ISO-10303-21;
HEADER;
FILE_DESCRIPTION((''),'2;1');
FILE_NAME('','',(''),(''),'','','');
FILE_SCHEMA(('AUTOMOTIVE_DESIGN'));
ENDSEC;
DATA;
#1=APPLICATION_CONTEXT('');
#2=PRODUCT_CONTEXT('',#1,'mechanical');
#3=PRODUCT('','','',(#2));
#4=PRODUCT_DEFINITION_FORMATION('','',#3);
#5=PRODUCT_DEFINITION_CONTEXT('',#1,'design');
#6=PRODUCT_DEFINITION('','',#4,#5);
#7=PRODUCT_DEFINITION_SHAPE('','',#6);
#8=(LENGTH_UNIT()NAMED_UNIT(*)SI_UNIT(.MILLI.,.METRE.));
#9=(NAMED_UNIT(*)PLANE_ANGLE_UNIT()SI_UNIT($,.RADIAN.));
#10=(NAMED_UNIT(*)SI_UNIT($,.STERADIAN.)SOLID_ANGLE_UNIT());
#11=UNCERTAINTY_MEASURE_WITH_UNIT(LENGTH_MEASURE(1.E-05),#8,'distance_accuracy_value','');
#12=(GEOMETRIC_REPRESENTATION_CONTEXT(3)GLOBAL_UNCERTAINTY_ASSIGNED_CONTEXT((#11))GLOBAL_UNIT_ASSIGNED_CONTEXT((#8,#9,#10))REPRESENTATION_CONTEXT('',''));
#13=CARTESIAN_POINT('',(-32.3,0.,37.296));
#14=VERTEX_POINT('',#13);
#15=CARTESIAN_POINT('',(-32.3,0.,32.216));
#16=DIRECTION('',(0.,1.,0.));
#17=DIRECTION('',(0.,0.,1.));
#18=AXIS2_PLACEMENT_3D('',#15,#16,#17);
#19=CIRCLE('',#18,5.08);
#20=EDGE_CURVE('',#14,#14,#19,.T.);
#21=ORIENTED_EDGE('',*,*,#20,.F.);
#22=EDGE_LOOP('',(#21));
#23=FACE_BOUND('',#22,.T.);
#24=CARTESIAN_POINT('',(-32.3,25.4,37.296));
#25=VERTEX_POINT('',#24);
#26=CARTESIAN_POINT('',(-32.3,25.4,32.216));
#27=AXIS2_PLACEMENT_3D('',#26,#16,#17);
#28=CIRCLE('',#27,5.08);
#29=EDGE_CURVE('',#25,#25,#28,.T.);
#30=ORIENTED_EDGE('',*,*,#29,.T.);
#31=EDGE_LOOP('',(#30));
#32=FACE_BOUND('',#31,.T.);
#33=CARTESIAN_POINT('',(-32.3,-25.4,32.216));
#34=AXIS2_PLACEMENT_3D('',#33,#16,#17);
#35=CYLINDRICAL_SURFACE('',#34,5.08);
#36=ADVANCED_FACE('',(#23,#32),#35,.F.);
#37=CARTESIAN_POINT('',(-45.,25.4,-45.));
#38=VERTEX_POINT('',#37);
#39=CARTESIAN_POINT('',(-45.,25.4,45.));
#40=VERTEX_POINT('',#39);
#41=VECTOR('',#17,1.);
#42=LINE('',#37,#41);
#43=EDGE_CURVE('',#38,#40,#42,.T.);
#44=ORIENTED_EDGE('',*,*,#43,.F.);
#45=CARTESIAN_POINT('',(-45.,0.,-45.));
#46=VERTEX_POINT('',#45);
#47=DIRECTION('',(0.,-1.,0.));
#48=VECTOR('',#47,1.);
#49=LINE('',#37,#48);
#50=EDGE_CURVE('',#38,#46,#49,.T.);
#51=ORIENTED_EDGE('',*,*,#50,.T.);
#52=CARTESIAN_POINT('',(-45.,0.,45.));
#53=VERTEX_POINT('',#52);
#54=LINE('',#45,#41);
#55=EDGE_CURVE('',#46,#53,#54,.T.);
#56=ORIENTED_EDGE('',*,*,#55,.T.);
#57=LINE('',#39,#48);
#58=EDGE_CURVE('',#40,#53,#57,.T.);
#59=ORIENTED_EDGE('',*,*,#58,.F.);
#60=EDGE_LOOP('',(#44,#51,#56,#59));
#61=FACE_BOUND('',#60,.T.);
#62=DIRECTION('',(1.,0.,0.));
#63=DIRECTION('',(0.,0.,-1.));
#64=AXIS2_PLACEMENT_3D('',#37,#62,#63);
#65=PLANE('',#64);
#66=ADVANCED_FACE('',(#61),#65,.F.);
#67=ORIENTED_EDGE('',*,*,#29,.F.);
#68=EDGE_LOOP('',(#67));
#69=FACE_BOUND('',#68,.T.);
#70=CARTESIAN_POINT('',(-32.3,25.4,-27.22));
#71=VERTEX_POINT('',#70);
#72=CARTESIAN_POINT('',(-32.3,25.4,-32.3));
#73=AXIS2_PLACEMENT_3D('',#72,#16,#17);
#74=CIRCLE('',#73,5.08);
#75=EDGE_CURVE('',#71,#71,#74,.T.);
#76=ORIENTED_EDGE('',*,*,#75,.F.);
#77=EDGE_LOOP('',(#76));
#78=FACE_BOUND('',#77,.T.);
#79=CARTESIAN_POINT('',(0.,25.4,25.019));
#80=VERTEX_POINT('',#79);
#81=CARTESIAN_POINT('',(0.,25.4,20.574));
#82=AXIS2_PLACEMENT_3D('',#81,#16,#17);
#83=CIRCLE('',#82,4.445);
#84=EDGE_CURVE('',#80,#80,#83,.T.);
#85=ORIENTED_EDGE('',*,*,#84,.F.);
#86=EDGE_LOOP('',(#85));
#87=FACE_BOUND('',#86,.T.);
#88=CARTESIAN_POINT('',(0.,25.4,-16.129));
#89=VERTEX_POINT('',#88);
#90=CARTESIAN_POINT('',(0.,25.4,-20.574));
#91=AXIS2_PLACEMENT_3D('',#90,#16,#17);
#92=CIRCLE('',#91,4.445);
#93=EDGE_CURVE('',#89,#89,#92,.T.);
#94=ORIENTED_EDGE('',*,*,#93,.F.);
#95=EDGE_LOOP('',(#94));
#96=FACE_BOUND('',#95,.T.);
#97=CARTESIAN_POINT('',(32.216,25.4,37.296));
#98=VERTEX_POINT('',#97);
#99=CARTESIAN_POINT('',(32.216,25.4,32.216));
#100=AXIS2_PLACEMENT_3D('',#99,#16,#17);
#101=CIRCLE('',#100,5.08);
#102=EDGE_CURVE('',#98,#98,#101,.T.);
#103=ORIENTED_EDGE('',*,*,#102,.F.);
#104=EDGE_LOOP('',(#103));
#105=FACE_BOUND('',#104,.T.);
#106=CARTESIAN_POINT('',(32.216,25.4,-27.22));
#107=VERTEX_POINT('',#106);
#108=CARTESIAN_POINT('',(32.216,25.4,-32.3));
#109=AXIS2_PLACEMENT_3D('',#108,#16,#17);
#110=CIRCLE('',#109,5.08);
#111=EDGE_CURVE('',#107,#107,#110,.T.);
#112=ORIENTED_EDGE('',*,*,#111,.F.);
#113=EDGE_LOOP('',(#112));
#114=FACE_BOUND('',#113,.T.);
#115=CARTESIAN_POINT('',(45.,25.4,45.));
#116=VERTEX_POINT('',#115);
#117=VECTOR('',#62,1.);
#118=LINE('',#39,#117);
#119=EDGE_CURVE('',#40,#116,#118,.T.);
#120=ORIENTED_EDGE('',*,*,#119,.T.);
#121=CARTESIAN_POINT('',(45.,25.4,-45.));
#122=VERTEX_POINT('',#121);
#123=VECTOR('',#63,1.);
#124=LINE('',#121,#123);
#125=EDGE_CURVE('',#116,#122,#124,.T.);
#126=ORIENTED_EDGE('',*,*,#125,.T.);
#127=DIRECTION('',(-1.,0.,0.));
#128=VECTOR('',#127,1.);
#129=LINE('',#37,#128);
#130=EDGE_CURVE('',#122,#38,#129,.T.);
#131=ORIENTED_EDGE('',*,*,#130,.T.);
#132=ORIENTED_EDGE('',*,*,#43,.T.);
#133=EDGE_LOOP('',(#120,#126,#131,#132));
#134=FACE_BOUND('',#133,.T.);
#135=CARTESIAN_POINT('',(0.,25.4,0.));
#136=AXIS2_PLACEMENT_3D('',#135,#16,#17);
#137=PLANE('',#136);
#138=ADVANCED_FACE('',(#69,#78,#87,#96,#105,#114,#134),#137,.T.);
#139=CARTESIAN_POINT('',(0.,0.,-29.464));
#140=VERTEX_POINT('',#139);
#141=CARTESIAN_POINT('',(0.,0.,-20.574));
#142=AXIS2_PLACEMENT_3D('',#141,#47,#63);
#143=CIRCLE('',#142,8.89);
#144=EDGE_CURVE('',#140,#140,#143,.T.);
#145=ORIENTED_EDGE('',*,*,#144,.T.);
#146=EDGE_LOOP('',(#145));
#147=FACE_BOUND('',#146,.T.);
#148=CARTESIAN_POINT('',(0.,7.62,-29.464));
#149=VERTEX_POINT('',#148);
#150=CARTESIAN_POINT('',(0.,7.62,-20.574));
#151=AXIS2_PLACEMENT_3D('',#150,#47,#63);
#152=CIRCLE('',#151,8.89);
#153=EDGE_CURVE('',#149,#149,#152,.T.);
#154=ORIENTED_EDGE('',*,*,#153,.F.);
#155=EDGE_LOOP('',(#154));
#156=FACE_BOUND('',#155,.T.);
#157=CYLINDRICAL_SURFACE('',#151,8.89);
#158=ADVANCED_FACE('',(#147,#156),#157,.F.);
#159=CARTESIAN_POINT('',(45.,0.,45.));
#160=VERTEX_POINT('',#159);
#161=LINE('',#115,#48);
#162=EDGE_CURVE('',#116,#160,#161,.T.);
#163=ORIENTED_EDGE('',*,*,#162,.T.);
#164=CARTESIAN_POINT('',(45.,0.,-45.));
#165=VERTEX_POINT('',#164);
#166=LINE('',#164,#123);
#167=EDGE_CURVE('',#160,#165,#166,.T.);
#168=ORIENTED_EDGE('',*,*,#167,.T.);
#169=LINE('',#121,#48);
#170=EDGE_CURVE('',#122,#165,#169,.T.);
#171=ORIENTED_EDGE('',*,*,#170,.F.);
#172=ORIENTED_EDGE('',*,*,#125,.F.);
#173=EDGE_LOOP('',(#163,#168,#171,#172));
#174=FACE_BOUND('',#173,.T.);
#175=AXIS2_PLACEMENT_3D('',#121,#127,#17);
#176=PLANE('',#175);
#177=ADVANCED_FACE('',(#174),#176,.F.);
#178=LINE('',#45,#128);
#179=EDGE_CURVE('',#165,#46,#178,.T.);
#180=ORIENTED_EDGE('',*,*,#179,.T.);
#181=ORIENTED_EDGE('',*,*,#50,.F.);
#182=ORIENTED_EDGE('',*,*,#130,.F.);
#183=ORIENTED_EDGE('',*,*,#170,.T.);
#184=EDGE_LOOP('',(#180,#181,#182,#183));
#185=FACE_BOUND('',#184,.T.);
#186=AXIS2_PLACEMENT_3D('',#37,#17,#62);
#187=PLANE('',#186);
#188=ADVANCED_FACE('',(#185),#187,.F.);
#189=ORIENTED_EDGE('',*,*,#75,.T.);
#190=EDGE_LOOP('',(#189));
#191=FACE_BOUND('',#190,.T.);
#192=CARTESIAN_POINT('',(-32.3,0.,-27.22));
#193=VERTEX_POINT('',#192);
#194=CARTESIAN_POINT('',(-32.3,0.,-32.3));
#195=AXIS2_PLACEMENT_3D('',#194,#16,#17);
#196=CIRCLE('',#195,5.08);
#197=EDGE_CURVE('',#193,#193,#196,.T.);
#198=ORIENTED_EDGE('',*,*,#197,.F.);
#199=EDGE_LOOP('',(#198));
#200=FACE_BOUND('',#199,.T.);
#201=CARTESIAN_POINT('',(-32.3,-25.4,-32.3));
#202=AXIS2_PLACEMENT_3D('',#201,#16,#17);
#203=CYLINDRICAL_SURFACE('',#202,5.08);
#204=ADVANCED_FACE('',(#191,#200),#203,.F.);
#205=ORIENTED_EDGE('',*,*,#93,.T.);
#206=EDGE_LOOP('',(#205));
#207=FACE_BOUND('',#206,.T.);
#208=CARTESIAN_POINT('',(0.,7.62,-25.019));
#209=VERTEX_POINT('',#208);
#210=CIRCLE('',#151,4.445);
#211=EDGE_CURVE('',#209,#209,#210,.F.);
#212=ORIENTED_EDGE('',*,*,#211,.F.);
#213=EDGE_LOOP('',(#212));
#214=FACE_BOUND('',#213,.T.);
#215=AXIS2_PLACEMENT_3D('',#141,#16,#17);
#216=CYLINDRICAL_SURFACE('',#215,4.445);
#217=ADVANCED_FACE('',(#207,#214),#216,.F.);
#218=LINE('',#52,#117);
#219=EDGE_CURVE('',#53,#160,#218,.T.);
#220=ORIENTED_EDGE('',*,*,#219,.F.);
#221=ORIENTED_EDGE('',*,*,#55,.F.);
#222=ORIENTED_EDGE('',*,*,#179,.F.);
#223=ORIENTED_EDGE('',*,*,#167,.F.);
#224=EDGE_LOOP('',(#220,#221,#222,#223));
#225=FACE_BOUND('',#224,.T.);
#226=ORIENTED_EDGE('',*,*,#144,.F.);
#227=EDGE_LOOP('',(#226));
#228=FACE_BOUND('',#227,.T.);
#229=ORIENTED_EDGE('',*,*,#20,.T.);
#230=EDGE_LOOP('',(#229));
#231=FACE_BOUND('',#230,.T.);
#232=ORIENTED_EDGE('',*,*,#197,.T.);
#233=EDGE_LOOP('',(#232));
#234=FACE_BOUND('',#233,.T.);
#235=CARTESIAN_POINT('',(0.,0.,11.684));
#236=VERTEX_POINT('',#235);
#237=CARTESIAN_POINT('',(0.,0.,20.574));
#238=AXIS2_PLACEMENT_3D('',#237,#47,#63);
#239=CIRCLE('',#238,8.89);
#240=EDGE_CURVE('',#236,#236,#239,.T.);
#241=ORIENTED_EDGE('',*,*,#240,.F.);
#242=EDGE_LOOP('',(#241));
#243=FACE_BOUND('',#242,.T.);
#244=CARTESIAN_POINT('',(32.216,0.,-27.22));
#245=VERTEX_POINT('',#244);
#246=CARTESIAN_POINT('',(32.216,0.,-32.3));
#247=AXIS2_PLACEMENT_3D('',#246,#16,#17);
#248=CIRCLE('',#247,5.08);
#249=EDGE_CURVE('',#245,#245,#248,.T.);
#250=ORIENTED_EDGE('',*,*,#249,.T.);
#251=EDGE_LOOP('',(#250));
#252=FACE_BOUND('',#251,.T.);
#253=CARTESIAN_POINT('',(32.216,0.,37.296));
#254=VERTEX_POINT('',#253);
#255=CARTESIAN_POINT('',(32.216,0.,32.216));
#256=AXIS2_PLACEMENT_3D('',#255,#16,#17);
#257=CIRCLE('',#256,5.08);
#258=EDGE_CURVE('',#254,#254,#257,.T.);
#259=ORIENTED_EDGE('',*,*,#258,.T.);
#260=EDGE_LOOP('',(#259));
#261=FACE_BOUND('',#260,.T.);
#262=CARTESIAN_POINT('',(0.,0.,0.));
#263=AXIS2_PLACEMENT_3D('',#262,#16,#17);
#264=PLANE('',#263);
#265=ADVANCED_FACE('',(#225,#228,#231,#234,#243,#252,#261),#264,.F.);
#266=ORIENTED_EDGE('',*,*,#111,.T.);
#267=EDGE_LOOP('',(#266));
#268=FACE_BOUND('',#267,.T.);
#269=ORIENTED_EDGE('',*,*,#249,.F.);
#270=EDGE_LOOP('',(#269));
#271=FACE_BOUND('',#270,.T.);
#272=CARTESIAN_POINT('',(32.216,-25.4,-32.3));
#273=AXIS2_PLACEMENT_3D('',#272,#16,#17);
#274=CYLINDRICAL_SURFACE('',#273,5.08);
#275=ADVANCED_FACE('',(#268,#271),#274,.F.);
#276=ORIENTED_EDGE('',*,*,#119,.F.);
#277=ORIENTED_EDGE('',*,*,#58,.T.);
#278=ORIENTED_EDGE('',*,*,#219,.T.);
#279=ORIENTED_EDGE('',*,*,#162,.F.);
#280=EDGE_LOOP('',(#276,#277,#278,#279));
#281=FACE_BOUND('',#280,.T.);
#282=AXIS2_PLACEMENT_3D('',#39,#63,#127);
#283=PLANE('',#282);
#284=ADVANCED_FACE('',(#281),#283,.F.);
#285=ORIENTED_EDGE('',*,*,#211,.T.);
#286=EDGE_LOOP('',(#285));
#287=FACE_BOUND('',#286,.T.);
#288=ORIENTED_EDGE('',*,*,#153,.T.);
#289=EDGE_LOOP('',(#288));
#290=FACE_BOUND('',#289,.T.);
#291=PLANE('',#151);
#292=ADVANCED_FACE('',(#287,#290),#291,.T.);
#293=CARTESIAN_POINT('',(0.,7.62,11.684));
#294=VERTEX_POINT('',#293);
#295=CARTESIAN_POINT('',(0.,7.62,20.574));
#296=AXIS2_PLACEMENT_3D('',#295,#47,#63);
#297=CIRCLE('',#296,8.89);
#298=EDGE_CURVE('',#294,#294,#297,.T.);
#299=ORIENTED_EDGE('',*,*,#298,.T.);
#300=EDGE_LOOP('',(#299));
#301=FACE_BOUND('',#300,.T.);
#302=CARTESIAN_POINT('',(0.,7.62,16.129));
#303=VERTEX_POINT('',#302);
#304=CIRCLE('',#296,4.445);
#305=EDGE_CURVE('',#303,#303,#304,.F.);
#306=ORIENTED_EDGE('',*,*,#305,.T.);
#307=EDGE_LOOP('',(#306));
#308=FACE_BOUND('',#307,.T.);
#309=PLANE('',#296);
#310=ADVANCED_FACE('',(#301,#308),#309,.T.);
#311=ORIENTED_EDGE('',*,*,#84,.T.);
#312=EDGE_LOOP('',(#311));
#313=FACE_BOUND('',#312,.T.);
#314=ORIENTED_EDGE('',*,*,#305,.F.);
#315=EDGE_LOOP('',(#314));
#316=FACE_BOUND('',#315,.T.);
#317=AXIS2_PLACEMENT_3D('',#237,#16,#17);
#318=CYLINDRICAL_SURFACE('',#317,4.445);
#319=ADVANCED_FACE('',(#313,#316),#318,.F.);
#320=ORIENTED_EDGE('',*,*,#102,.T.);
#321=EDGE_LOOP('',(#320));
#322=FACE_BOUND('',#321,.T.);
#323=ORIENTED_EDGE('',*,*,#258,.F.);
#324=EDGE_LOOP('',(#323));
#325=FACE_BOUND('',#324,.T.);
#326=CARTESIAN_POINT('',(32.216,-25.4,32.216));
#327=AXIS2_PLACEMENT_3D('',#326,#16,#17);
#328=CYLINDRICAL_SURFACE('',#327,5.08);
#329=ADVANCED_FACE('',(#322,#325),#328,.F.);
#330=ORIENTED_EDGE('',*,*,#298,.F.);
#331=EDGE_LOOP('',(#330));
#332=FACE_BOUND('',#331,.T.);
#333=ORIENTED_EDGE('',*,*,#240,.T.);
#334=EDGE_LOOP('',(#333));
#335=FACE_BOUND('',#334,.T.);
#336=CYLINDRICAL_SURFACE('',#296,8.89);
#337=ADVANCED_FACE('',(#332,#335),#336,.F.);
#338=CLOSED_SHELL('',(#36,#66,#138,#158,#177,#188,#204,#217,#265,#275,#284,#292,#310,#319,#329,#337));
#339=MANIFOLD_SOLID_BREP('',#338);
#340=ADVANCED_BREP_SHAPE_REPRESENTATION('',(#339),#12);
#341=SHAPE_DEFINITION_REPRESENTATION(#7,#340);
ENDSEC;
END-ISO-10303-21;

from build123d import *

# Parameters (mm, degrees)
SKETCH1_W            = 90
SKETCH1_H            = 90
BOSS_EXTRUDE1_DEPTH  = 25.4
SKETCH2_R            = 5.08
CUT_EXTRUDE1_DEPTH   = 50.8
LPATTERN1_COUNT      = 2
LPATTERN1_PITCH      = 64.516
LPATTERN1_COUNT_DIR2 = 2
LPATTERN1_PITCH_DIR2 = 64.516
SKETCH4_R            = 4.445
CUT_EXTRUDE3_DEPTH   = 26.4
SKETCH5_R            = 8.89
CUT_EXTRUDE4_DEPTH   = 7.62


with BuildPart() as part:
    # Sketch1 → Boss-Extrude1 (new body)
    with BuildSketch(Plane(origin=(0, 0, 0), x_dir=(1, 0, 0), z_dir=(0, 1, 0))):
        Rectangle(SKETCH1_W, SKETCH1_H)
    extrude(amount=BOSS_EXTRUDE1_DEPTH)

    # Sketch2 → Cut-Extrude1 (cut)
    with BuildSketch(Plane(origin=(0, 25.4, 0), x_dir=(-1, 0, 0), z_dir=(0, 1, 0))):
        with Locations((32.3, -32.3)):
            Circle(SKETCH2_R)
    cut_extrude1 = extrude(amount=-CUT_EXTRUDE1_DEPTH, mode=Mode.SUBTRACT)

    # LPattern1: Cut-Extrude1 2 × 2
    with Locations(*[(i * LPATTERN1_PITCH, 0, j * LPATTERN1_PITCH_DIR2) for i in range(LPATTERN1_COUNT) for j in range(LPATTERN1_COUNT_DIR2) if (i, j) != (0, 0)]):
        add(cut_extrude1, mode=Mode.SUBTRACT)

    # Sketch4 → Cut-Extrude3 (cut, through all)
    with BuildSketch(Plane(origin=(0, 25.4, 0), x_dir=(1, 0, 0), z_dir=(0, 1, 0))):
        with Locations((0, 20.574)):
            Circle(SKETCH4_R)
        with Locations((0, -20.574)):
            Circle(SKETCH4_R)
    extrude(amount=-CUT_EXTRUDE3_DEPTH, mode=Mode.SUBTRACT)

    # Sketch5 → Cut-Extrude4 (cut)
    with BuildSketch(Plane.XZ):
        with Locations((0, -20.574)):
            Circle(SKETCH5_R)
        with Locations((0, 20.574)):
            Circle(SKETCH5_R)
    extrude(amount=-CUT_EXTRUDE4_DEPTH, mode=Mode.SUBTRACT)


solid = part.part
